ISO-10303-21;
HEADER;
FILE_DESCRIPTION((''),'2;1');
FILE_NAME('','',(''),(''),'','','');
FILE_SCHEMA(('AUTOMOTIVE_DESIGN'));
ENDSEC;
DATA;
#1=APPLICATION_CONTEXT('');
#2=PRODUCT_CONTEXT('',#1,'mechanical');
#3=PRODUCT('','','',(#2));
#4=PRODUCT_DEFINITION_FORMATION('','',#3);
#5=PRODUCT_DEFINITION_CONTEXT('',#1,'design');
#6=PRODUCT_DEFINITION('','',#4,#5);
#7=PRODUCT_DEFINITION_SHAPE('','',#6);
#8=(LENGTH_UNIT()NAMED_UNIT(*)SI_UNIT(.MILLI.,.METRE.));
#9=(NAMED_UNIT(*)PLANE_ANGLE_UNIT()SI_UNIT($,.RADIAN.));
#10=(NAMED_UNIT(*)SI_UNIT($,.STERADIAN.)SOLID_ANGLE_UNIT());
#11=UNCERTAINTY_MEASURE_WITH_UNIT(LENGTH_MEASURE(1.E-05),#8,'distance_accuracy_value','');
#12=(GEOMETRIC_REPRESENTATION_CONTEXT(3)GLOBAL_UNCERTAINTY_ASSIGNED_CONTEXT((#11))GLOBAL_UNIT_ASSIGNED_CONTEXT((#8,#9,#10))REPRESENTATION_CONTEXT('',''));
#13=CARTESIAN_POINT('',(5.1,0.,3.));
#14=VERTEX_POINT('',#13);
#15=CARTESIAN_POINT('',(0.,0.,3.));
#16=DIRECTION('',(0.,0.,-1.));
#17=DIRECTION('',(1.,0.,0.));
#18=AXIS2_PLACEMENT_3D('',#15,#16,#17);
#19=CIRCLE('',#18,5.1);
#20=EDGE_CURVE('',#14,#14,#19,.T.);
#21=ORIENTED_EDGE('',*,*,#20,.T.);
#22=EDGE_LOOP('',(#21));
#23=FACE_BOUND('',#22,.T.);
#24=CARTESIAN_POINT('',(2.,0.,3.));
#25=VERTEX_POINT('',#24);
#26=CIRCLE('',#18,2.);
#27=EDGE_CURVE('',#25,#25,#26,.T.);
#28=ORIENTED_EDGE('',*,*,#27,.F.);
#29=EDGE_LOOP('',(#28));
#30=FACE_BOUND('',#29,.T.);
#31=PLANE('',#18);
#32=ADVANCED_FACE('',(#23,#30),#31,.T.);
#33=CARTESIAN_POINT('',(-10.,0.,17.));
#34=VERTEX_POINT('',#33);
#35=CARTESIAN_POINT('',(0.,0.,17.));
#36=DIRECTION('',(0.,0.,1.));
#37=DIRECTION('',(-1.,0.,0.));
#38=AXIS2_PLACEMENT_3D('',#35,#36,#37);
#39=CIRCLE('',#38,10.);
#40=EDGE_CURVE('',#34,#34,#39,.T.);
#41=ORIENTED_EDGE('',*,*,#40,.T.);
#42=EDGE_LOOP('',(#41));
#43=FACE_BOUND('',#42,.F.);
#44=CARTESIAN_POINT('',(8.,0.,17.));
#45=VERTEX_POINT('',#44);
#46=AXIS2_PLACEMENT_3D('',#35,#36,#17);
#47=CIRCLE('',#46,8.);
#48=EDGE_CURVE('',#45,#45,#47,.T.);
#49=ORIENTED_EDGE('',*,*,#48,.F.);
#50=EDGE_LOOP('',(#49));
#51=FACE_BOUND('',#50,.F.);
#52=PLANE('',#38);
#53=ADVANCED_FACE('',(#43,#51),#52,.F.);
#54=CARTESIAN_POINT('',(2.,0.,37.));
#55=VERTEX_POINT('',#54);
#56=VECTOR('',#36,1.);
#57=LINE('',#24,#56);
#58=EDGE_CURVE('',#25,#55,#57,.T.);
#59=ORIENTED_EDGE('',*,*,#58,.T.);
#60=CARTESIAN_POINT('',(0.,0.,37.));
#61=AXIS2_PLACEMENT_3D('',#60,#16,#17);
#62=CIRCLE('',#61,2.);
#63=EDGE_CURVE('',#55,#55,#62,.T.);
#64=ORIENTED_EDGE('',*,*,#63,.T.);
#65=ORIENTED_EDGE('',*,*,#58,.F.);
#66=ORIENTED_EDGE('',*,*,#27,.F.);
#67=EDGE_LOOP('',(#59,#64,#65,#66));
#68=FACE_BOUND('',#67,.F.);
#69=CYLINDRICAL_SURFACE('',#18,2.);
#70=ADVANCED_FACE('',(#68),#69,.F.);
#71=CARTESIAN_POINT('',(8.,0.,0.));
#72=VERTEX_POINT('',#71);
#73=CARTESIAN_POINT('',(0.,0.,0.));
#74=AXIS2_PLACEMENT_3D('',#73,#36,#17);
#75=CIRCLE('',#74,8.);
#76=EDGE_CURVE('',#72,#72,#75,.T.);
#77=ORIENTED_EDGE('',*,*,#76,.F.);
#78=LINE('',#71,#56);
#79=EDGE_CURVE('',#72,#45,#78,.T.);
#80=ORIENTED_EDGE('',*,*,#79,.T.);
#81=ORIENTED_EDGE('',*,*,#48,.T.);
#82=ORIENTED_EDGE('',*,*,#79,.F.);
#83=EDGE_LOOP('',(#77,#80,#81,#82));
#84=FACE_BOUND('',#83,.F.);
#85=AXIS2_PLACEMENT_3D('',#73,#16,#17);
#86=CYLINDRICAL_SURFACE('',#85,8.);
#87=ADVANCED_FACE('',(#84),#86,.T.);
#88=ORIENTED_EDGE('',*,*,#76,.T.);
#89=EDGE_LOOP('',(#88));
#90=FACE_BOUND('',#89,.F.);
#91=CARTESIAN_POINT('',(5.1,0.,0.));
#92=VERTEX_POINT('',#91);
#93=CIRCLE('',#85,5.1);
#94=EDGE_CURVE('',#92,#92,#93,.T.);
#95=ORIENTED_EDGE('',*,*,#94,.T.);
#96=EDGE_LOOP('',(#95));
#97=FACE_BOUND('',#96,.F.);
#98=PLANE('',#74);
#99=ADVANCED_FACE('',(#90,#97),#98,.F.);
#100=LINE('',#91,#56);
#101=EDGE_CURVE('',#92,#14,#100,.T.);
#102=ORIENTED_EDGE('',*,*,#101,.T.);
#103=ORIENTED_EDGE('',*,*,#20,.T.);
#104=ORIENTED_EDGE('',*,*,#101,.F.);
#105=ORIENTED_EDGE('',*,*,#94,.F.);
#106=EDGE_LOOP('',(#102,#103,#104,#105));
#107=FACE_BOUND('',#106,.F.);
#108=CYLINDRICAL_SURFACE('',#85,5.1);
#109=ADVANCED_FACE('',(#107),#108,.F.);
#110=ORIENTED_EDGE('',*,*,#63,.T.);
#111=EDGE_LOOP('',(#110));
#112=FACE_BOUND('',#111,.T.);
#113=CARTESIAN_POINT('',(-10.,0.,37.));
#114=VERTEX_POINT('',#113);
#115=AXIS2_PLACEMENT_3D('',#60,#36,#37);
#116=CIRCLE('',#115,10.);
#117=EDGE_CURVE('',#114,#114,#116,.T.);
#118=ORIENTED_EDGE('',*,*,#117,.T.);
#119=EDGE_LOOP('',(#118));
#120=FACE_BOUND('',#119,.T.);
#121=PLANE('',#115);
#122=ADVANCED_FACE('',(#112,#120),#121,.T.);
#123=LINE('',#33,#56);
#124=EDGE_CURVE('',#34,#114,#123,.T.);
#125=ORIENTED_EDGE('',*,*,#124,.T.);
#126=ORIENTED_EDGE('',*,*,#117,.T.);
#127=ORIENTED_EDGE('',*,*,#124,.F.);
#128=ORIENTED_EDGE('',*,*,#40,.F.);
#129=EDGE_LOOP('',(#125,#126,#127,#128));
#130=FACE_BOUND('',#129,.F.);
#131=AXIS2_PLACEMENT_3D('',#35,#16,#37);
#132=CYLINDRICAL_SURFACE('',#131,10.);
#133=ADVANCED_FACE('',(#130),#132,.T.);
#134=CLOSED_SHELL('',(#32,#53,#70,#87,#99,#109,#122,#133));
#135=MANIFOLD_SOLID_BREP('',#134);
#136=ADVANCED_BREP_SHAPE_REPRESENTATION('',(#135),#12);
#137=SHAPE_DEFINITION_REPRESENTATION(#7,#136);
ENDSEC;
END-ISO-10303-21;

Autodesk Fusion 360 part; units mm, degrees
sketch "Sketch1" plane through (0, 0, 0) normal (0, 0, 1) x (1, 0, 0)
  circle A0 centre (0, 0) radius 8
  dimension "d1" = 16
extrude "Extrude1" add sketch "Sketch1" along normal blind 17
sketch "Sketch2" plane through (0, 0, 17) normal (0, 0, 1) x (-1, 0, 0)
  circle A0 centre (0, 0) radius 8
  circle A1 centre (0, 0) radius 10
  dimension "d4" = 20
extrude "Extrude2" add sketch "Sketch2" along normal blind 20 contours A0 | A1
sketch "Sketch3" plane through (0, 0, 0) normal (0, 0, -1) x (1, 0, 0)
  circle A0 centre (0, 0) radius 8
  circle A1 centre (0, 0) radius 5.1
  dimension "d7" = 10.2
extrude "Extrude3" cut sketch "Sketch3" against normal blind 3 contours A1
sketch "Sketch4" plane through (0, 0, 3) normal (0, 0, -1) x (1, 0, 0)
  circle A0 centre (0, 0) radius 5.1
  circle A1 centre (0, 0) radius 2
extrude "Extrude4" cut sketch "Sketch4" against normal up to surface (34 mm away) contours A1
